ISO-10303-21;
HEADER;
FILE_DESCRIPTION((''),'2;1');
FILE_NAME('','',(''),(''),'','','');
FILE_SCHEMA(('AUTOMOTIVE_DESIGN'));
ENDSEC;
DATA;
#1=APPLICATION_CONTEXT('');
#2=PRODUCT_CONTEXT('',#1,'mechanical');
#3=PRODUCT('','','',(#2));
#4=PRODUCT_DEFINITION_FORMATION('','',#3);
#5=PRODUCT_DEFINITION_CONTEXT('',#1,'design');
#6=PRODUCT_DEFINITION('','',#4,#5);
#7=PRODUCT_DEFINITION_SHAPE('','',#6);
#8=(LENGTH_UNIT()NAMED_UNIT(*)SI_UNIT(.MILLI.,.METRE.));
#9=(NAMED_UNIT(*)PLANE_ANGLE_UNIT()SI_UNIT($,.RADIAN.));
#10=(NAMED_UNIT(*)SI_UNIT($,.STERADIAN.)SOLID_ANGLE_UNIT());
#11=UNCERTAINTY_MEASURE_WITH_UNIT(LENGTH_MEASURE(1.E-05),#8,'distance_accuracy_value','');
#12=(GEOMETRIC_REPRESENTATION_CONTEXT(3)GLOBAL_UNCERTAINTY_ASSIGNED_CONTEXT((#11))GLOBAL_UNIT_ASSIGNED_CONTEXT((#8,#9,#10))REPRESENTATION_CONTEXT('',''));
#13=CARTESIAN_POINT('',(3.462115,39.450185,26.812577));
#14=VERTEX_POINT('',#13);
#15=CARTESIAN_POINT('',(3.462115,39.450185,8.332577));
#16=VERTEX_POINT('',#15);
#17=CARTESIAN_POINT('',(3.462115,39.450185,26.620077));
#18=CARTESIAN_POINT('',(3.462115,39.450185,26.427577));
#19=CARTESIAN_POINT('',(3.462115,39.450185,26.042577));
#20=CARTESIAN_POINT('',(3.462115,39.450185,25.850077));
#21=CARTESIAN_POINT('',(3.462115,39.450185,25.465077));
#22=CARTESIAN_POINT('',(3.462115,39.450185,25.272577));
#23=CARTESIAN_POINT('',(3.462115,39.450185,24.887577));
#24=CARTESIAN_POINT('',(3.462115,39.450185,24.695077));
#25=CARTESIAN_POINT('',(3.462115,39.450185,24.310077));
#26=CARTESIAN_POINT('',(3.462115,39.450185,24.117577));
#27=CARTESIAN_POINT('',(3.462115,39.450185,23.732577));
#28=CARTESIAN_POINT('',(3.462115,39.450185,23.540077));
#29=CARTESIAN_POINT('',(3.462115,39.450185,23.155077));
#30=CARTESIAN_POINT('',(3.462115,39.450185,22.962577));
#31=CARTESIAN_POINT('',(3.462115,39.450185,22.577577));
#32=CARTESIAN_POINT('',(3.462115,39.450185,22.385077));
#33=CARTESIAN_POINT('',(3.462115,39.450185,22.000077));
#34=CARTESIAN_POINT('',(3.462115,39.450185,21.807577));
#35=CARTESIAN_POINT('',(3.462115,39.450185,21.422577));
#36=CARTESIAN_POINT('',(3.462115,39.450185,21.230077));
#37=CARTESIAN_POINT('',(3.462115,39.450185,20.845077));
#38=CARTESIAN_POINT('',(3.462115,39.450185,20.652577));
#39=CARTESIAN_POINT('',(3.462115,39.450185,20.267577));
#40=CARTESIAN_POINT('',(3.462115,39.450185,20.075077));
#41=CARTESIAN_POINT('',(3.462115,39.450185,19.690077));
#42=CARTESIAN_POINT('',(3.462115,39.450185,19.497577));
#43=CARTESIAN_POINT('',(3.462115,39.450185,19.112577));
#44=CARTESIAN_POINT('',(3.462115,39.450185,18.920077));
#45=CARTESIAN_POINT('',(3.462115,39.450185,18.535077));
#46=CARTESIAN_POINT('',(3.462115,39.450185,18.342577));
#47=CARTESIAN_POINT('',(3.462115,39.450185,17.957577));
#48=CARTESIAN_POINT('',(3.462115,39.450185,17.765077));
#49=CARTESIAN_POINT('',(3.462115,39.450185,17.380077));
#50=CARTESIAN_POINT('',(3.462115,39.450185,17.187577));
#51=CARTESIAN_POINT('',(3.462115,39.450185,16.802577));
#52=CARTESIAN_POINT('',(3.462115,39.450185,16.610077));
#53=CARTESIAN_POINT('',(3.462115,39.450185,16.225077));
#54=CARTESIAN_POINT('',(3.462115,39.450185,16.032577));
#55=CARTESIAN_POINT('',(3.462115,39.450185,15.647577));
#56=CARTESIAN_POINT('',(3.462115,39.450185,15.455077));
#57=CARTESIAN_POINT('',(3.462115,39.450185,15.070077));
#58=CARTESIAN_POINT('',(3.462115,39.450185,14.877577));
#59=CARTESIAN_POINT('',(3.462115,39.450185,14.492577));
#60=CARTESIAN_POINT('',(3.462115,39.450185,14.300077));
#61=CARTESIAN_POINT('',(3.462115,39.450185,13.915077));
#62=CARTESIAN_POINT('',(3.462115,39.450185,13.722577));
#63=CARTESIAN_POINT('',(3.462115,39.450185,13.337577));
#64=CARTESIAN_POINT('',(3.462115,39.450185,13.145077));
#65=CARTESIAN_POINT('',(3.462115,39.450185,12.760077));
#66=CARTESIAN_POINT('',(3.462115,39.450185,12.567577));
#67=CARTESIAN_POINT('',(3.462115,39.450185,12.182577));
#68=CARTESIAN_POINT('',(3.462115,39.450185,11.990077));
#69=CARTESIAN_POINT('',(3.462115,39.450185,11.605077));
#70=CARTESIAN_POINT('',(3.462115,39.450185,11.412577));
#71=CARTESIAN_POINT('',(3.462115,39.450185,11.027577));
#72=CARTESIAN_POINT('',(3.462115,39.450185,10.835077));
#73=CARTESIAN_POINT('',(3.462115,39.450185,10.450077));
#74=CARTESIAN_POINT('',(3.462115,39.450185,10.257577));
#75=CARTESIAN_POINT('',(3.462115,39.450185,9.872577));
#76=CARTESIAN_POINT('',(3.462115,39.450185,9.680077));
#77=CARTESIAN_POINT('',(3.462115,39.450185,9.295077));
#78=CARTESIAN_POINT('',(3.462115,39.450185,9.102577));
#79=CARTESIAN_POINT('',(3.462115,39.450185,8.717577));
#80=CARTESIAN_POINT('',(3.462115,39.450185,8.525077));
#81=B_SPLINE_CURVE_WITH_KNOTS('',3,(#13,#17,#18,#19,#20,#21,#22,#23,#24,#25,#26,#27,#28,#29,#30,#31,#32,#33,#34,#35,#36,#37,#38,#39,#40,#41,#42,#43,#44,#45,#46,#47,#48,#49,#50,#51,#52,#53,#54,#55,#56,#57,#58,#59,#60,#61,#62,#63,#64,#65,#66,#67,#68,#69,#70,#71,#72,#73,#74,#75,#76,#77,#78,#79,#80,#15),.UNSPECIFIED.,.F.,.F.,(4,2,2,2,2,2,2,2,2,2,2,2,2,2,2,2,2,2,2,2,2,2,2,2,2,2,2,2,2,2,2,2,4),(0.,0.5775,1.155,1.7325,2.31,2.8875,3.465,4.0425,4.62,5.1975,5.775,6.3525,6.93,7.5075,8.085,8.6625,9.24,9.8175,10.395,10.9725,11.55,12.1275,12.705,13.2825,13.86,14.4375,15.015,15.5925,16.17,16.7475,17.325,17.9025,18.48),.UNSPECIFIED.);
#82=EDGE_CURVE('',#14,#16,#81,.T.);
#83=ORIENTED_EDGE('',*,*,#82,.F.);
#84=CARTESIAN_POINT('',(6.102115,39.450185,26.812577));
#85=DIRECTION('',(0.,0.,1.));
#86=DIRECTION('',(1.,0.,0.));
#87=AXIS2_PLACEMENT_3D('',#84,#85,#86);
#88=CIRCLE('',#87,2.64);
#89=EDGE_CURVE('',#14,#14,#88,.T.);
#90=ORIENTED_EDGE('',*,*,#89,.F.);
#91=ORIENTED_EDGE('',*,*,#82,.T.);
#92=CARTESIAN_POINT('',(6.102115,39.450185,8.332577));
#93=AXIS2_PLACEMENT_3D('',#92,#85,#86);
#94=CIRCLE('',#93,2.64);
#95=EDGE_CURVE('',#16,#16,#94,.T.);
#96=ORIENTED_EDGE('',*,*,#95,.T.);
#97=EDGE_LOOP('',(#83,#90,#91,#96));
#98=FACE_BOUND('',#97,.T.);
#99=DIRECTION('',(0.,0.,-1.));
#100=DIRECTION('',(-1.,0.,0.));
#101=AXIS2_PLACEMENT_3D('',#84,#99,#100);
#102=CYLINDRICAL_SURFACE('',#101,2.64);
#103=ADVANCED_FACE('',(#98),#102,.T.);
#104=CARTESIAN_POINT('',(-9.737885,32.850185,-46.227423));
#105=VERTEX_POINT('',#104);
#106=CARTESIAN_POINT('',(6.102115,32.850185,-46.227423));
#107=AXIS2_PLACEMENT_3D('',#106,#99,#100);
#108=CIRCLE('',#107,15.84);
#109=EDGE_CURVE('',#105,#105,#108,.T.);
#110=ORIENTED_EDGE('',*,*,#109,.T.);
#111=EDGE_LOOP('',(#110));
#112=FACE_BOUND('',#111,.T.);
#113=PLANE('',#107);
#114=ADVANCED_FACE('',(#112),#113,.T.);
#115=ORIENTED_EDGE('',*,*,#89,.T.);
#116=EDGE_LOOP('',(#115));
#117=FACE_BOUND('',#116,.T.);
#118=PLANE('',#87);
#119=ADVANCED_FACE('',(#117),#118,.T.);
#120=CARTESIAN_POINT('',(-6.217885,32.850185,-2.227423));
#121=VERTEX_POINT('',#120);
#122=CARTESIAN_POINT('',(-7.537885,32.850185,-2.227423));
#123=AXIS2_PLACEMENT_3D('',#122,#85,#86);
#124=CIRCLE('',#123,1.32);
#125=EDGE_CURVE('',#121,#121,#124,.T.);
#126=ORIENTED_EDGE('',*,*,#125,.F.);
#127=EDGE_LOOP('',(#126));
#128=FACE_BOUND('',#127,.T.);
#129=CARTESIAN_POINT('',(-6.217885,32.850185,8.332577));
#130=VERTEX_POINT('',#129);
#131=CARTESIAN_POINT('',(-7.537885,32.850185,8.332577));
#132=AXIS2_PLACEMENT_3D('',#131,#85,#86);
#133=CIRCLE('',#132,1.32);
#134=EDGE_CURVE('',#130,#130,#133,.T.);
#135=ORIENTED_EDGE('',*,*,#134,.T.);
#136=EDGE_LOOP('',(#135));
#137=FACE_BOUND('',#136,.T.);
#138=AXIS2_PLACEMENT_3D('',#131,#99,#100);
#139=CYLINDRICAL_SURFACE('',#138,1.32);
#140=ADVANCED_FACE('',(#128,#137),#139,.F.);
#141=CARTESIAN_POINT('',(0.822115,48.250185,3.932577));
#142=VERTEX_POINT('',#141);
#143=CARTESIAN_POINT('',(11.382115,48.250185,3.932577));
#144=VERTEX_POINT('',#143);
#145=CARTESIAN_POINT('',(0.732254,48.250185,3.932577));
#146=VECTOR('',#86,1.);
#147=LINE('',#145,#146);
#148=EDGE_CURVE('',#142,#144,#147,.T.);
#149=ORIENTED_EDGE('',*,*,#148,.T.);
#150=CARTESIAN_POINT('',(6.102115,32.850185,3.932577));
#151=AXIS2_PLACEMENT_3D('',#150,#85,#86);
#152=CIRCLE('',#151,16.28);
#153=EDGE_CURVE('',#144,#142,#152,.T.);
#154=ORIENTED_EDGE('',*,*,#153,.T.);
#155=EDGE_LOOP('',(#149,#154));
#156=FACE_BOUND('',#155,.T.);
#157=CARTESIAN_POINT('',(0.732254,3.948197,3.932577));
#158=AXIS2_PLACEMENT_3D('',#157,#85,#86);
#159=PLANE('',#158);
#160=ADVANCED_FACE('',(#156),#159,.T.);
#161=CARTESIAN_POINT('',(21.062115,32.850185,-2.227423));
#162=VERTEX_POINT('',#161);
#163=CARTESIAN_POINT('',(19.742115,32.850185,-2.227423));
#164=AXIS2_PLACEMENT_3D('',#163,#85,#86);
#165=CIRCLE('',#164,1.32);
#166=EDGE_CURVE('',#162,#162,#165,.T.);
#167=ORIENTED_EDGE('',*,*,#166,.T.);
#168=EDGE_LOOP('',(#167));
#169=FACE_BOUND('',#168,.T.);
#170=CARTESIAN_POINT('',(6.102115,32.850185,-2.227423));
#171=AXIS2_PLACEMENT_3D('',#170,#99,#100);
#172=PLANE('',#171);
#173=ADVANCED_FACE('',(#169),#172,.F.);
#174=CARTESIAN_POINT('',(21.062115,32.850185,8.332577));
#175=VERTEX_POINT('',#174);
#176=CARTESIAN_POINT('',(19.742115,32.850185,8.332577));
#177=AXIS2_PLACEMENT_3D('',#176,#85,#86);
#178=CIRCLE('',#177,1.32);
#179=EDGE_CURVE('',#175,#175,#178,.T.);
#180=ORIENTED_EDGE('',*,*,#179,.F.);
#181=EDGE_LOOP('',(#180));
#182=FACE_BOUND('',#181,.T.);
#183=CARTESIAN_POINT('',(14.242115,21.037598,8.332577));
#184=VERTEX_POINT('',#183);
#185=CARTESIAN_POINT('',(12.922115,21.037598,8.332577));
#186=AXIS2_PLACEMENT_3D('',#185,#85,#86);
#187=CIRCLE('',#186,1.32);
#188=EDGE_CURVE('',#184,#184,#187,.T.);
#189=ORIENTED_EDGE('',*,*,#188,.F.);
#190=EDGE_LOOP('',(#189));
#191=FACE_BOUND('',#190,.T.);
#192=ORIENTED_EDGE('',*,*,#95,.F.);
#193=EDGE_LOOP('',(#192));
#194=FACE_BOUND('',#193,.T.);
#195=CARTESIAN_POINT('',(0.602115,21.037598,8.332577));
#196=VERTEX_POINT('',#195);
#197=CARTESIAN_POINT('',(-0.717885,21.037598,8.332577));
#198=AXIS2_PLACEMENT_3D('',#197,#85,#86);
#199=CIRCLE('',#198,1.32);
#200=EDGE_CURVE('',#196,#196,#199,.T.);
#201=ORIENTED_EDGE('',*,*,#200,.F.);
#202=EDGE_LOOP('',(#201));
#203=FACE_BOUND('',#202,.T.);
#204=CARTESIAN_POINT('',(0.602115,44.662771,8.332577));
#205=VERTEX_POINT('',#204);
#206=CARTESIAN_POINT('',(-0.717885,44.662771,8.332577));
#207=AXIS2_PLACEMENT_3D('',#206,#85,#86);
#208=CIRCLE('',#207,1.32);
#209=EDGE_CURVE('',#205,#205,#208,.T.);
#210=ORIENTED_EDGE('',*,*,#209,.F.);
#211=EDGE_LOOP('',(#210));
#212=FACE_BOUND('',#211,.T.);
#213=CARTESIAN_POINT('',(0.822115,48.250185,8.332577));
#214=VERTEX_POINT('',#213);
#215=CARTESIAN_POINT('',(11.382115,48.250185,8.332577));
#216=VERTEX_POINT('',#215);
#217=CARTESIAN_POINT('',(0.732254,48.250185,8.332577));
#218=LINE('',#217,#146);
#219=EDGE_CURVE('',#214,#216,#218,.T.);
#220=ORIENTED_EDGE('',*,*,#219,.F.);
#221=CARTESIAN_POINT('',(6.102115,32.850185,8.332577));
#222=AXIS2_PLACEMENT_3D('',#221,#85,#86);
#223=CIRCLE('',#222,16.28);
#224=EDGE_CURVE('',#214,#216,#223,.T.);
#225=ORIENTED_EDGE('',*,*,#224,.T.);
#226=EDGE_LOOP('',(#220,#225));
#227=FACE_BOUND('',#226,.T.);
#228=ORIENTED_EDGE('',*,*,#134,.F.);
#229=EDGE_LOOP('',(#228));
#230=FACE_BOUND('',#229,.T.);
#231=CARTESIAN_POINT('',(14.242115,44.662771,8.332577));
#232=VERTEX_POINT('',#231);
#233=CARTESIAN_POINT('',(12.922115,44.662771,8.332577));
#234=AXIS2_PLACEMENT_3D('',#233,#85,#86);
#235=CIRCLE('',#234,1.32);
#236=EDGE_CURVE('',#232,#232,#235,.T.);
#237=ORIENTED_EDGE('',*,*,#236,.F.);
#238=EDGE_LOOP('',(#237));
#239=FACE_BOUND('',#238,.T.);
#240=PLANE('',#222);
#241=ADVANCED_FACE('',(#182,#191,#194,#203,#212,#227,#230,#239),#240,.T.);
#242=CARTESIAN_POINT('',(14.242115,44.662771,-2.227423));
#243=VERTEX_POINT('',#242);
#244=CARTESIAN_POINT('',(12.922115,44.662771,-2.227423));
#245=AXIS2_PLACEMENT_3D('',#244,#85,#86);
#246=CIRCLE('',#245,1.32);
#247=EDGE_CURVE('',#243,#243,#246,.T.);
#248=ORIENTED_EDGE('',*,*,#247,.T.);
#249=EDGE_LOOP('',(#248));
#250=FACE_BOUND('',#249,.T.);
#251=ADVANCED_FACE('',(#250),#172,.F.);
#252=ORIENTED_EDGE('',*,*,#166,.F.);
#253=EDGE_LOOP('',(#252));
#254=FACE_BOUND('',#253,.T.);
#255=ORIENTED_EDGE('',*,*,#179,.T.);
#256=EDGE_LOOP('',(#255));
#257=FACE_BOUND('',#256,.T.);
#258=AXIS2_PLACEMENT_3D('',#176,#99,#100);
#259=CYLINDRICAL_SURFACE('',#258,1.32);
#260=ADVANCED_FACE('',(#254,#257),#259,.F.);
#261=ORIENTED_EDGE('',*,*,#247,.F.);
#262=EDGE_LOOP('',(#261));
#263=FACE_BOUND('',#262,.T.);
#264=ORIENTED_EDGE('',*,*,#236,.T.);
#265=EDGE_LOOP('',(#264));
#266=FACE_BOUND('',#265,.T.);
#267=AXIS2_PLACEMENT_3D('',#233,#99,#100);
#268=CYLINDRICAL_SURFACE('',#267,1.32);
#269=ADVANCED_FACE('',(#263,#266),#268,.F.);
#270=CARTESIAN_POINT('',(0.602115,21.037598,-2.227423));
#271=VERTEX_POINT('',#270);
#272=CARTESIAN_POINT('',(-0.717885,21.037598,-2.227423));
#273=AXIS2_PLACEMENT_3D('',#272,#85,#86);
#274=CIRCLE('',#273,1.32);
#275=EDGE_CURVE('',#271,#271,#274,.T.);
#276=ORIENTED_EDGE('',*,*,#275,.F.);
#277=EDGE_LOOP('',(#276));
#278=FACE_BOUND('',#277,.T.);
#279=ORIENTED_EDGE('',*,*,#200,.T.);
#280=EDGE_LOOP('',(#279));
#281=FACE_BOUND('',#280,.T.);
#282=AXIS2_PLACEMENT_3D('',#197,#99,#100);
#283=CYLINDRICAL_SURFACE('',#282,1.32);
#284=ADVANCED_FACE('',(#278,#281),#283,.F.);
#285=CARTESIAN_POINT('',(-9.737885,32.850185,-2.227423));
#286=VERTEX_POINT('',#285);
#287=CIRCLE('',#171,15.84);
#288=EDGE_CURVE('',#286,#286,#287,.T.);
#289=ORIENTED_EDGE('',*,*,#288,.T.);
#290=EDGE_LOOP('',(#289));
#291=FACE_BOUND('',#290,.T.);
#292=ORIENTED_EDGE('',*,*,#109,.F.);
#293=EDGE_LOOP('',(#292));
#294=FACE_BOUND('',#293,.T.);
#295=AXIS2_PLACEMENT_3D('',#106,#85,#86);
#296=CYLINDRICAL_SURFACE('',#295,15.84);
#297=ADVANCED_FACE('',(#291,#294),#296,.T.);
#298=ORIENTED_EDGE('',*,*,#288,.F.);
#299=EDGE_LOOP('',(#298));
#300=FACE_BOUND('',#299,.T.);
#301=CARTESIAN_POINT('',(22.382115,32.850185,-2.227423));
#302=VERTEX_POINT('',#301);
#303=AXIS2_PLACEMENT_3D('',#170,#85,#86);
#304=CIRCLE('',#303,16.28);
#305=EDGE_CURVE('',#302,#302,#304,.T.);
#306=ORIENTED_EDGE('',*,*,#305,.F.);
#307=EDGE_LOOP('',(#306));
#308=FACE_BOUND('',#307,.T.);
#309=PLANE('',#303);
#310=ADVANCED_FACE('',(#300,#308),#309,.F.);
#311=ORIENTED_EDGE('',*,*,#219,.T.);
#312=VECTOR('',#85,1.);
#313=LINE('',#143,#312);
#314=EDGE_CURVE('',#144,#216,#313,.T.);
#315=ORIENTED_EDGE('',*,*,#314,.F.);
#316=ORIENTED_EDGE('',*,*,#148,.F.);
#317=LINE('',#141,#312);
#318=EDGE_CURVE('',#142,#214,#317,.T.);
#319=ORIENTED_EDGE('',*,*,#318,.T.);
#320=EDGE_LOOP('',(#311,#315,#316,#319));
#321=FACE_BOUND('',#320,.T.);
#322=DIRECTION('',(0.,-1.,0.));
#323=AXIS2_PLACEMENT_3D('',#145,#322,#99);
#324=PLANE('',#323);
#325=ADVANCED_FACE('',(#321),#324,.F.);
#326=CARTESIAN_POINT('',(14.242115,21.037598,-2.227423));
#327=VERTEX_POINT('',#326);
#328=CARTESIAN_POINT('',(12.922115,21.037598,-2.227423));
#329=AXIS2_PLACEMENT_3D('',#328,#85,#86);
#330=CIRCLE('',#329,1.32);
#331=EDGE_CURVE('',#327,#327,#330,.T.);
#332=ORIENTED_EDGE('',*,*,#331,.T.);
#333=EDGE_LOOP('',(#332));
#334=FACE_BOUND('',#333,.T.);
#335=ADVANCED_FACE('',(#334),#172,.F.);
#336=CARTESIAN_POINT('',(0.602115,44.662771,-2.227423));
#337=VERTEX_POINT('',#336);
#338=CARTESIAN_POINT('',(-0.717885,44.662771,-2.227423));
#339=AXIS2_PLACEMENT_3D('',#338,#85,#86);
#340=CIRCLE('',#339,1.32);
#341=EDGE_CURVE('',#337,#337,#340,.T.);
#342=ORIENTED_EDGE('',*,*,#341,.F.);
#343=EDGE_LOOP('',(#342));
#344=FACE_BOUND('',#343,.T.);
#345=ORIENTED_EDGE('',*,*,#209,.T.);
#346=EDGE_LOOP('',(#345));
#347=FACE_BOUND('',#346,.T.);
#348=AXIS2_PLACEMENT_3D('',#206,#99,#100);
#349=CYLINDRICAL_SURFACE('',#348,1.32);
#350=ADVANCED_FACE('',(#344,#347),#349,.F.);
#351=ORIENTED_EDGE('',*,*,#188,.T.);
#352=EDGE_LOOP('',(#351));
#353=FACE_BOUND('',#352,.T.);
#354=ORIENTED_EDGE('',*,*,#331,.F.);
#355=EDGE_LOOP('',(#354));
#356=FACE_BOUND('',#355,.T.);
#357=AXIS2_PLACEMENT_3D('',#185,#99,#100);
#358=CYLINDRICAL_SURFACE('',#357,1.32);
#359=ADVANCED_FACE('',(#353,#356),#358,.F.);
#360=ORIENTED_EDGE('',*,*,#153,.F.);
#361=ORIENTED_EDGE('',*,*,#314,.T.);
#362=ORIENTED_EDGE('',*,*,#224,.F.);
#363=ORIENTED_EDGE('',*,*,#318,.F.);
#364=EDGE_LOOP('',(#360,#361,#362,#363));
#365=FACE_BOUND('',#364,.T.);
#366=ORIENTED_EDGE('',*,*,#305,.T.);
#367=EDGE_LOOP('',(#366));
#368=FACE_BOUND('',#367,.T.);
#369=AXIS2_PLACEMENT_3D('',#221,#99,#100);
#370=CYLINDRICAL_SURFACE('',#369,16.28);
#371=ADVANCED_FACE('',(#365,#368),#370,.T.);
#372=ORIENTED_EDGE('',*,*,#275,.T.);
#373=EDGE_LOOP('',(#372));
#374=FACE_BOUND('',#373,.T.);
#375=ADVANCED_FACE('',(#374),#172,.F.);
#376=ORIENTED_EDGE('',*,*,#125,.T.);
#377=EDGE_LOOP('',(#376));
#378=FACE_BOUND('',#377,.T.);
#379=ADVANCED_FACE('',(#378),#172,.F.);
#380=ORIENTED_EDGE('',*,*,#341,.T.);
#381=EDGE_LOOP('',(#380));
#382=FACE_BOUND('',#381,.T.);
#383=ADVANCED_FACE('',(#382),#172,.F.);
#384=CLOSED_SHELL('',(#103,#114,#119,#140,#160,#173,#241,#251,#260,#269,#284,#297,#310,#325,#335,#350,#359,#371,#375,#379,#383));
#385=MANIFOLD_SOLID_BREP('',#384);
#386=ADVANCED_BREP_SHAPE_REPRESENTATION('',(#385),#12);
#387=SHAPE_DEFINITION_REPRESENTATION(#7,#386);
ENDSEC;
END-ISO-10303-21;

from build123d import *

# Parameters (mm, degrees)
SKETCH1_R           = 18.5
SKETCH1_R_2         = 1.5
SKETCH1_R_3         = 6.1
BOSS_EXTRUDE1_DEPTH = 12
SKETCH2_R           = 18
BOSS_EXTRUDE2_DEPTH = 50
SKETCH3_R           = 3
BOSS_EXTRUDE3_DEPTH = 21
SKETCH4_R           = 6.1
BOSS_EXTRUDE4_DEPTH = 12
CUT_EXTRUDE1_START  = -5
CUT_EXTRUDE1_DEPTH  = 5
SCALE1_SCALE        = 0.8
SCALE3_SCALE        = 1.1


with BuildPart() as part:
    # Sketch1 → Boss-Extrude1 (new body)
    with BuildSketch(Plane.XY):
        with Locations((6.10211523, 32.843167441)):
            Circle(SKETCH1_R)
        with Locations((21.60211523, 32.843167441)):
            Circle(SKETCH1_R_2, mode=Mode.SUBTRACT)
        with Locations((13.85211523, 19.419773682)):
            Circle(SKETCH1_R_2, mode=Mode.SUBTRACT)
        with Locations((-1.64788477, 19.419773682)):
            Circle(SKETCH1_R_2, mode=Mode.SUBTRACT)
        with Locations((-9.39788477, 32.843167441)):
            Circle(SKETCH1_R_2, mode=Mode.SUBTRACT)
        with Locations((-1.64788477, 46.266561199)):
            Circle(SKETCH1_R_2, mode=Mode.SUBTRACT)
        with Locations((13.85211523, 46.266561199)):
            Circle(SKETCH1_R_2, mode=Mode.SUBTRACT)
        with Locations((6.10211523, 40.343167441)):
            Circle(SKETCH1_R_3, mode=Mode.SUBTRACT)
    extrude(amount=BOSS_EXTRUDE1_DEPTH)

    # Sketch2 → Boss-Extrude2 (add)
    with BuildSketch(Plane(origin=(0, 0, 0), x_dir=(-1, 0, 0), z_dir=(0, 0, -1))):
        with Locations((-6.10211523, 32.843167441)):
            Circle(SKETCH2_R)
    extrude(amount=BOSS_EXTRUDE2_DEPTH)



with BuildPart() as body_2:
    # Sketch3 → Boss-Extrude3 (new body)
    with BuildSketch(Plane.XY.offset(12)):
        with Locations(Location((6.10211523, 40.343167441, 0), (0, 0, 180))):
            Circle(SKETCH3_R)
    extrude(amount=BOSS_EXTRUDE3_DEPTH)


with BuildPart() as part_1:
    add(part.part)

    add(body_2.part)  # Boss-Extrude4 merges body 2
    # Sketch4 → Boss-Extrude4 (add)
    with BuildSketch(Plane.XY):
        with Locations((6.10211523, 40.343167441)):
            Circle(SKETCH4_R)
    extrude(amount=BOSS_EXTRUDE4_DEPTH)

    # Sketch5 → Cut-Extrude1 (cut)
    with BuildSketch(Plane.XY.offset(12).offset(CUT_EXTRUDE1_START)):
        with BuildLine():
            Line((6.10211523, 50.343167441), (6.10211523, 51.343167441))
            ThreePointArc((6.10211523, 51.343167441), (3.060733965, 51.091455031), (0.10211523, 50.343167441))
            Line((0.10211523, 50.343167441), (6.10211523, 50.343167441))
        make_face()
        with BuildLine():
            ThreePointArc((12.10211523, 50.343167441), (9.143496496, 51.091455031), (6.10211523, 51.343167441))
            Line((6.10211523, 51.343167441), (6.10211523, 50.343167441))
            Line((6.10211523, 50.343167441), (12.10211523, 50.343167441))
        make_face()
    extrude(amount=CUT_EXTRUDE1_DEPTH, mode=Mode.SUBTRACT)


with BuildPart() as part_2:
    # Scale1: scaled about (6.10211523, 32.901644157, -18.561855602)
    add(part_1.part.scale(SCALE1_SCALE).moved(Location((1.220423046, 6.580328831, -3.71237112))))


with BuildPart() as part_3:
    # Scale3: scaled about (6.10211523, 32.901644157, -18.561855602)
    add(part_2.part.scale(SCALE3_SCALE).moved(Location((-0.610211523, -3.290164416, 1.85618556))))


solid = part_3.part
